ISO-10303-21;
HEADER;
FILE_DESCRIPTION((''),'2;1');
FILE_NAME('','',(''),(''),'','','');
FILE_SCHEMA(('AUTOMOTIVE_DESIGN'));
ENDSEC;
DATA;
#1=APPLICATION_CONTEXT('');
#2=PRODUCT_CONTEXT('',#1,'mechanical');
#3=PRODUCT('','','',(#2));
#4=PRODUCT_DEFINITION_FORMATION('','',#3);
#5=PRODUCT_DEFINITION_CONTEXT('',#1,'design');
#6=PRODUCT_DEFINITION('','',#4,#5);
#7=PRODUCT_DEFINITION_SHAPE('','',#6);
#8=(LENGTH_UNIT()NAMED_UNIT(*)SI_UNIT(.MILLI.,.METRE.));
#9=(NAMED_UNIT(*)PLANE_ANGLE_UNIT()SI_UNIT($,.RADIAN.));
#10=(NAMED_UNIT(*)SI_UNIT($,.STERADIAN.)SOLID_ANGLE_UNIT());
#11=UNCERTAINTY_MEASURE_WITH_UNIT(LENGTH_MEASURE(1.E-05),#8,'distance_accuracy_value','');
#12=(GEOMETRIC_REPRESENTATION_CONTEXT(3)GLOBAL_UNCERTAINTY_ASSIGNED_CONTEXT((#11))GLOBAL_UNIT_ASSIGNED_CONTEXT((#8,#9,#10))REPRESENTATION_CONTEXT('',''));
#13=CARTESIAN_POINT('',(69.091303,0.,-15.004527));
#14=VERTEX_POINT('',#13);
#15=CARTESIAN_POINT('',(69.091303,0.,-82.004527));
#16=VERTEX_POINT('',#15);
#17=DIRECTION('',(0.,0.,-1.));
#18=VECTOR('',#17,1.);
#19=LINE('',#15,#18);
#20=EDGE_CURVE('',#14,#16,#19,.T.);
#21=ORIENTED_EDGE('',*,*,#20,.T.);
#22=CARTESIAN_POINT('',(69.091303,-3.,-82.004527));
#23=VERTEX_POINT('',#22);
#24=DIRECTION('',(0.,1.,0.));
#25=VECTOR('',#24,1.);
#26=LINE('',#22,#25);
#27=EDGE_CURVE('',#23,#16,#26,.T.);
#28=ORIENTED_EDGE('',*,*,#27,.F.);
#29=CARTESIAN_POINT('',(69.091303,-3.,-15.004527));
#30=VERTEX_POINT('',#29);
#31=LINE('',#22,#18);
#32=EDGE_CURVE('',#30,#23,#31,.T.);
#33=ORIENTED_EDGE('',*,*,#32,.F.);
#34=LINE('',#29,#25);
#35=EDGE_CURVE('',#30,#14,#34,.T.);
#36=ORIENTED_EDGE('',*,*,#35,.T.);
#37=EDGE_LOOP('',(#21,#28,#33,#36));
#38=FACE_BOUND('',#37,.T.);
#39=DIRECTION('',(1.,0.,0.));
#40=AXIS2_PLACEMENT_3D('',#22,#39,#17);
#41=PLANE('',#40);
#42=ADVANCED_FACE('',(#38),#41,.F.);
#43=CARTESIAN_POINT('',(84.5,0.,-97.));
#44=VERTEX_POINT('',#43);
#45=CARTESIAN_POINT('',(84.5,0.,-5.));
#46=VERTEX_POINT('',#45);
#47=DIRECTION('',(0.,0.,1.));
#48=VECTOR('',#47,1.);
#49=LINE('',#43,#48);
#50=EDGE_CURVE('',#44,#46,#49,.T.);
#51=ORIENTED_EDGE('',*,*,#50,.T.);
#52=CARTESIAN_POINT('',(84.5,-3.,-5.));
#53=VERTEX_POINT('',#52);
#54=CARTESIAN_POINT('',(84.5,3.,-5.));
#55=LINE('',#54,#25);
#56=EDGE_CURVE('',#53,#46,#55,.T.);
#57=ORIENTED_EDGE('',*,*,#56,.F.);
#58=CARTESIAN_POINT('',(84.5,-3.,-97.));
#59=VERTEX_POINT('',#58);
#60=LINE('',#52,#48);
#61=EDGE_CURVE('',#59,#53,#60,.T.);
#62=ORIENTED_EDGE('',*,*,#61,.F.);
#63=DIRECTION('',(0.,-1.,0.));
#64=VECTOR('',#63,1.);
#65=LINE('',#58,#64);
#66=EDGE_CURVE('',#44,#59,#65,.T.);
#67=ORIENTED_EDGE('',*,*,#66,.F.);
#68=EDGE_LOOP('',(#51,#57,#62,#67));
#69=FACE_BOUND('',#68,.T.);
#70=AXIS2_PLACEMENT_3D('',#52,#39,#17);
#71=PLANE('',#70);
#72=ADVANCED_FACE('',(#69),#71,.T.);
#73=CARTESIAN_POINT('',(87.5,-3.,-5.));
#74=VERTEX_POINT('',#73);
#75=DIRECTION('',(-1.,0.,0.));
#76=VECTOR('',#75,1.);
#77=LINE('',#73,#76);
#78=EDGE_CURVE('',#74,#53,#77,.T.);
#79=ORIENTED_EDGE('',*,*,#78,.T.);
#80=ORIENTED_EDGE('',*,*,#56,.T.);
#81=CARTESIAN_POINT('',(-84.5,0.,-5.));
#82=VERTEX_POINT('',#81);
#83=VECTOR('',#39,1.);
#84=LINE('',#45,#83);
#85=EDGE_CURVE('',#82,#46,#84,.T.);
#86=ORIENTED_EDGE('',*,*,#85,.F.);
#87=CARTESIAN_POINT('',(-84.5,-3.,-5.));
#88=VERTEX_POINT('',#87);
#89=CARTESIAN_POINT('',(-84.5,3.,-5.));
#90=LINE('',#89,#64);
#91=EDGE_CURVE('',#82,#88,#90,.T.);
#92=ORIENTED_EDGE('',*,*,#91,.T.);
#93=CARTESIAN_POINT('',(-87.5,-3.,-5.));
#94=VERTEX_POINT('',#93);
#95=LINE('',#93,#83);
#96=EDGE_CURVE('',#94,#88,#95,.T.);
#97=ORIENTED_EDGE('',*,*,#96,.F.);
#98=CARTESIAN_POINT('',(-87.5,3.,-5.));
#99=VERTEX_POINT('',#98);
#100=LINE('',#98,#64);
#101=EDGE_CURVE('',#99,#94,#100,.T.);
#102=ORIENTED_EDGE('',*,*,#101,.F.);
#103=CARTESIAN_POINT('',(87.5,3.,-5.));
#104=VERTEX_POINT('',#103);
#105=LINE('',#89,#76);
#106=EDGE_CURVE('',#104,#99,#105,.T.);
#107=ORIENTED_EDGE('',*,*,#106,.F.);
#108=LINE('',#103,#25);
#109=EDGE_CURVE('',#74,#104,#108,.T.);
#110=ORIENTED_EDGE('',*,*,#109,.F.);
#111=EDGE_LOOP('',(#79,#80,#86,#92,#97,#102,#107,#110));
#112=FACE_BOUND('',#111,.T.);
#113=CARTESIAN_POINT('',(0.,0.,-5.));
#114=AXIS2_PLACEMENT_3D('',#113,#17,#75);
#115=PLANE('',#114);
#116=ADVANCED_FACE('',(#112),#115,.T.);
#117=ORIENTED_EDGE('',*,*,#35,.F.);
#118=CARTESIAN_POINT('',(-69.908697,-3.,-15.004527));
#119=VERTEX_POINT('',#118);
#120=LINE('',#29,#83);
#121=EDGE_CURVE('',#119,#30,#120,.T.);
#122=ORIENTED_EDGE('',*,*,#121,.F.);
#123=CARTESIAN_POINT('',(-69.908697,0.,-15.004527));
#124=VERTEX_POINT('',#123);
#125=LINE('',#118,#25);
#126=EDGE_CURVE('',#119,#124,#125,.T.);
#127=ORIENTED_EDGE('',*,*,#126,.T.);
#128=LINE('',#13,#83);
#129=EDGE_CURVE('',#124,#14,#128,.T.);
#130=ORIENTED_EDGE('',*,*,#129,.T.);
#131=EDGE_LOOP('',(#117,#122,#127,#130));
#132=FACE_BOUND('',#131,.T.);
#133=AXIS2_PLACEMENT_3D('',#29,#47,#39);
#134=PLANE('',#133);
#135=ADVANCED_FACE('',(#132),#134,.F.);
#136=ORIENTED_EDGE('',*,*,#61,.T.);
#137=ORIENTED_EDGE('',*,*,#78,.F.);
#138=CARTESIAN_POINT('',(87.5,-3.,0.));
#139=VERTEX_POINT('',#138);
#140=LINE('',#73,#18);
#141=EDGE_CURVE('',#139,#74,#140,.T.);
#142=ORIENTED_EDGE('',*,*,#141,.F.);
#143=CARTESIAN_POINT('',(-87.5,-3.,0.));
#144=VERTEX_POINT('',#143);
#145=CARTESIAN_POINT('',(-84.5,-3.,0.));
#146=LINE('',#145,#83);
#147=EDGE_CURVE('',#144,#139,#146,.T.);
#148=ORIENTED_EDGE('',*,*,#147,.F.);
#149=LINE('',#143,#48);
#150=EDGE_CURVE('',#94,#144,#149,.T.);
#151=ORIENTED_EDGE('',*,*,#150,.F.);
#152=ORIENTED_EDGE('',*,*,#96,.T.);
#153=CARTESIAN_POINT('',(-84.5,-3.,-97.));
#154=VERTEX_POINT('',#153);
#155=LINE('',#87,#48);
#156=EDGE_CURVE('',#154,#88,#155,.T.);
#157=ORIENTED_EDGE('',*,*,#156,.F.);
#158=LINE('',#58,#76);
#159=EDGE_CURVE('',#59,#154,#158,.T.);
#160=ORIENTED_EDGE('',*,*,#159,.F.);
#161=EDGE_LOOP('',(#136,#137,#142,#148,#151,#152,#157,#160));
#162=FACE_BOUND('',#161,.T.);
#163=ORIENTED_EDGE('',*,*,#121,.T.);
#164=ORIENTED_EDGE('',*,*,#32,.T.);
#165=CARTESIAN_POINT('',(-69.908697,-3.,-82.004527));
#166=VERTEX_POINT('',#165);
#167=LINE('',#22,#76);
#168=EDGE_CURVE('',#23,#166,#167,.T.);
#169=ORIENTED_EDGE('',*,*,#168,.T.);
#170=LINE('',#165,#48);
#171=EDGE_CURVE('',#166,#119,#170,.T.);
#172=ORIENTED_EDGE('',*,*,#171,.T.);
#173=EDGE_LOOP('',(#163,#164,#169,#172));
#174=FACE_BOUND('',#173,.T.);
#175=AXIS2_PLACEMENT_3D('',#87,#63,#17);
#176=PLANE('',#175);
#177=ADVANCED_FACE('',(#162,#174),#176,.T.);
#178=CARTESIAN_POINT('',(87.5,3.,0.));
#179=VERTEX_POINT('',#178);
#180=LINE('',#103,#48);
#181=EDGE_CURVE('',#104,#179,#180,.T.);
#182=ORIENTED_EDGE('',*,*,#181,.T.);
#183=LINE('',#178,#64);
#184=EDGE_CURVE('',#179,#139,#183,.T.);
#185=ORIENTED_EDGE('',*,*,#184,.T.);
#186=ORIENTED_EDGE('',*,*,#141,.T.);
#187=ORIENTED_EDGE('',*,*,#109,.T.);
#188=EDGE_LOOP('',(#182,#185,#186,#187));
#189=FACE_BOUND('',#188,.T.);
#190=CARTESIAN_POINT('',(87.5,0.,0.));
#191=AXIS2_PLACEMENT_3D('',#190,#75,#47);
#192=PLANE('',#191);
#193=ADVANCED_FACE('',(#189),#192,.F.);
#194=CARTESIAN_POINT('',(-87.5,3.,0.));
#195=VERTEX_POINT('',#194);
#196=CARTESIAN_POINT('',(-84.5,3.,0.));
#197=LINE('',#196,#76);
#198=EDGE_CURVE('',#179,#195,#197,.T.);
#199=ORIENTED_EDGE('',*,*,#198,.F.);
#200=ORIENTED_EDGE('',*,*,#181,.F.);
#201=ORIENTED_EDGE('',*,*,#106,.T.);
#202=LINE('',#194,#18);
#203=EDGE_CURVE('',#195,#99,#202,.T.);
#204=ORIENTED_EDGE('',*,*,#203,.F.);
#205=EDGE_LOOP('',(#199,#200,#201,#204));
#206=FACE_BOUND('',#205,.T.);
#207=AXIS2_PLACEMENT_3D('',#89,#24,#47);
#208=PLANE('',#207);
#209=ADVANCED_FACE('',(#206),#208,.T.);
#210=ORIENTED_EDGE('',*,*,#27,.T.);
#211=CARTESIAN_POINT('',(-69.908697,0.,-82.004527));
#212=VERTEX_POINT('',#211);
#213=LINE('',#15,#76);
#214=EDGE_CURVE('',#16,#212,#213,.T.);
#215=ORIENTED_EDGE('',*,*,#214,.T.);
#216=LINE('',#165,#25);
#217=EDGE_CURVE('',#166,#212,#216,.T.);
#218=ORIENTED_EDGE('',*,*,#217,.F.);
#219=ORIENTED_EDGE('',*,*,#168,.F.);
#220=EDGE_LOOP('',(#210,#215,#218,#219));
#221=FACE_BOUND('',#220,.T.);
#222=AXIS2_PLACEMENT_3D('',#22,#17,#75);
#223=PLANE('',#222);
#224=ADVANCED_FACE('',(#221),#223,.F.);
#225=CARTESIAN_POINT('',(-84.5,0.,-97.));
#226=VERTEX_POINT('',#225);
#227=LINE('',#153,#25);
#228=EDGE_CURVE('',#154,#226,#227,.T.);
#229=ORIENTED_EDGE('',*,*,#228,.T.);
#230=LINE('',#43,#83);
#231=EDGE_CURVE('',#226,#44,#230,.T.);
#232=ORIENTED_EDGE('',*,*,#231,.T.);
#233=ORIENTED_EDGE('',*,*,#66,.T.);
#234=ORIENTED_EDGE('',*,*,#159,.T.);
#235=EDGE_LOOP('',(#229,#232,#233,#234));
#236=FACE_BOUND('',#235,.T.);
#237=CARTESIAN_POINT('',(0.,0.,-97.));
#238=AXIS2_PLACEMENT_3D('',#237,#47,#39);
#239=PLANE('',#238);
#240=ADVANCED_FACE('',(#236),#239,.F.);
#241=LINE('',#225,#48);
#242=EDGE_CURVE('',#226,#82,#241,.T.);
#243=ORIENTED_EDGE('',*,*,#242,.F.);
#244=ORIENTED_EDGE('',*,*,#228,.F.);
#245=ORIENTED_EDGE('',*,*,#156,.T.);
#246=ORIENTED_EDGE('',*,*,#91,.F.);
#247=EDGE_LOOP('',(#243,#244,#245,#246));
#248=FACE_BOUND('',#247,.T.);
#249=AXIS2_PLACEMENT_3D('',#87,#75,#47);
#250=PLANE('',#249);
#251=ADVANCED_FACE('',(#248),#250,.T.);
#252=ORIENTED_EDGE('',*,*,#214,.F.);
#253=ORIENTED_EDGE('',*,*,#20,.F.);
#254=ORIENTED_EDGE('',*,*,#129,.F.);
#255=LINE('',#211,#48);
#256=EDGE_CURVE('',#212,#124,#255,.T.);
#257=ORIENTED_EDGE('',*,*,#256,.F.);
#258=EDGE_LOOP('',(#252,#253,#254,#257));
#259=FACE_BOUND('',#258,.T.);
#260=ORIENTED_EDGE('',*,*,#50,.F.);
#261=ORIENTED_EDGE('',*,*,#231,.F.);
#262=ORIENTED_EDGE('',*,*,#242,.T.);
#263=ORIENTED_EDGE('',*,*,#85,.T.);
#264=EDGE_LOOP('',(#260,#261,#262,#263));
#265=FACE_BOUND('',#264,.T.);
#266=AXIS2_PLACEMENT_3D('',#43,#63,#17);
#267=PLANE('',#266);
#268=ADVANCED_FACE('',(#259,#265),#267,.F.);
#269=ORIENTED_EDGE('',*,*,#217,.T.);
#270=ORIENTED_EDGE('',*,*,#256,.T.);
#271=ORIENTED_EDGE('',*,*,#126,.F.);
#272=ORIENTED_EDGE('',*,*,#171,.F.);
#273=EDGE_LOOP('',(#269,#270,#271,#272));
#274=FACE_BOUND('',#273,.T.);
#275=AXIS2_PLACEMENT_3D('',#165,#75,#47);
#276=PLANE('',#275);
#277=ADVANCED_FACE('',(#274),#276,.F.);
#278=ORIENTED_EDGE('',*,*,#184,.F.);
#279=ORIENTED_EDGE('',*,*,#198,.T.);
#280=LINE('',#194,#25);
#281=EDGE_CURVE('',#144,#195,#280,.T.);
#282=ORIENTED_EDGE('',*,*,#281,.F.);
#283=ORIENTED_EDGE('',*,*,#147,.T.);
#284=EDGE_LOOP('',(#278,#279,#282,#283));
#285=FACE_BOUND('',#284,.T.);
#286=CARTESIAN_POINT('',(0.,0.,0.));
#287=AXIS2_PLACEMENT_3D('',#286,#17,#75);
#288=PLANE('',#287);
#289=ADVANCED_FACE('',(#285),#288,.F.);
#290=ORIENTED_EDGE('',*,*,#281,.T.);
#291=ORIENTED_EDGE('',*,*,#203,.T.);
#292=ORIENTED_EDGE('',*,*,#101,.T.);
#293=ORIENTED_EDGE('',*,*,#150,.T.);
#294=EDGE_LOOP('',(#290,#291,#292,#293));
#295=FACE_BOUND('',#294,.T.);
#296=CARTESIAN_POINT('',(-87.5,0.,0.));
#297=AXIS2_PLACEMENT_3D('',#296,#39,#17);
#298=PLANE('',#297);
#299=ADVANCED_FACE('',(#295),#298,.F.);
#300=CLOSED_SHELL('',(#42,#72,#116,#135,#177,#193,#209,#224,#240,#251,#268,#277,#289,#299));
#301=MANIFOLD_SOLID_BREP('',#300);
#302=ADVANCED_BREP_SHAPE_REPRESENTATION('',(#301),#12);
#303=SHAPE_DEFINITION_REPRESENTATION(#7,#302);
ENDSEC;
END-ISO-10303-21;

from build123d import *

# Parameters (mm, degrees)
SKETCH1_W           = 169
SKETCH1_H           = 6
BOSS_EXTRUDE1_DEPTH = 5
SKETCH2_W           = 169
SKETCH2_H           = 3
BOSS_EXTRUDE2_DEPTH = 92
SKETCH3_W           = 5
SKETCH3_H           = 6
BOSS_EXTRUDE3_DEPTH = 3
SKETCH4_W           = 5
SKETCH4_H           = 6
BOSS_EXTRUDE4_DEPTH = 3
SKETCH8_W           = 139
SKETCH8_H           = 67
CUT_EXTRUDE2_DEPTH  = 3


with BuildPart() as part:
    # Sketch1 → Boss-Extrude1 (new body)
    with BuildSketch(Plane.XY):
        Rectangle(SKETCH1_W, SKETCH1_H)
    extrude(amount=-BOSS_EXTRUDE1_DEPTH)

    # Sketch2 → Boss-Extrude2 (add)
    with BuildSketch(Plane(origin=(0, 0, -5), x_dir=(-1, 0, 0), z_dir=(0, 0, -1))):
        with Locations((0, -1.5)):
            Rectangle(SKETCH2_W, SKETCH2_H)
    extrude(amount=BOSS_EXTRUDE2_DEPTH)

    # Sketch3 → Boss-Extrude3 (add)
    with BuildSketch(Plane(origin=(84.5, 0, 0), x_dir=(0, 0, -1), z_dir=(1, 0, 0))):
        with Locations((2.5, 0)):
            Rectangle(SKETCH3_W, SKETCH3_H)
    extrude(amount=BOSS_EXTRUDE3_DEPTH)

    # Sketch4 → Boss-Extrude4 (add)
    with BuildSketch(Plane.ZY.offset(84.5)):
        with Locations((-2.5, 0)):
            Rectangle(SKETCH4_W, SKETCH4_H)
    extrude(amount=BOSS_EXTRUDE4_DEPTH)

    # Sketch8 → Cut-Extrude2 (cut)
    with BuildSketch(Plane(origin=(0, 0, 0), x_dir=(1, 0, 0), z_dir=(0, 1, 0))):
        with Locations((-0.408697147, 48.504527108)):
            Rectangle(SKETCH8_W, SKETCH8_H)
    extrude(amount=-CUT_EXTRUDE2_DEPTH, mode=Mode.SUBTRACT)


solid = part.part
